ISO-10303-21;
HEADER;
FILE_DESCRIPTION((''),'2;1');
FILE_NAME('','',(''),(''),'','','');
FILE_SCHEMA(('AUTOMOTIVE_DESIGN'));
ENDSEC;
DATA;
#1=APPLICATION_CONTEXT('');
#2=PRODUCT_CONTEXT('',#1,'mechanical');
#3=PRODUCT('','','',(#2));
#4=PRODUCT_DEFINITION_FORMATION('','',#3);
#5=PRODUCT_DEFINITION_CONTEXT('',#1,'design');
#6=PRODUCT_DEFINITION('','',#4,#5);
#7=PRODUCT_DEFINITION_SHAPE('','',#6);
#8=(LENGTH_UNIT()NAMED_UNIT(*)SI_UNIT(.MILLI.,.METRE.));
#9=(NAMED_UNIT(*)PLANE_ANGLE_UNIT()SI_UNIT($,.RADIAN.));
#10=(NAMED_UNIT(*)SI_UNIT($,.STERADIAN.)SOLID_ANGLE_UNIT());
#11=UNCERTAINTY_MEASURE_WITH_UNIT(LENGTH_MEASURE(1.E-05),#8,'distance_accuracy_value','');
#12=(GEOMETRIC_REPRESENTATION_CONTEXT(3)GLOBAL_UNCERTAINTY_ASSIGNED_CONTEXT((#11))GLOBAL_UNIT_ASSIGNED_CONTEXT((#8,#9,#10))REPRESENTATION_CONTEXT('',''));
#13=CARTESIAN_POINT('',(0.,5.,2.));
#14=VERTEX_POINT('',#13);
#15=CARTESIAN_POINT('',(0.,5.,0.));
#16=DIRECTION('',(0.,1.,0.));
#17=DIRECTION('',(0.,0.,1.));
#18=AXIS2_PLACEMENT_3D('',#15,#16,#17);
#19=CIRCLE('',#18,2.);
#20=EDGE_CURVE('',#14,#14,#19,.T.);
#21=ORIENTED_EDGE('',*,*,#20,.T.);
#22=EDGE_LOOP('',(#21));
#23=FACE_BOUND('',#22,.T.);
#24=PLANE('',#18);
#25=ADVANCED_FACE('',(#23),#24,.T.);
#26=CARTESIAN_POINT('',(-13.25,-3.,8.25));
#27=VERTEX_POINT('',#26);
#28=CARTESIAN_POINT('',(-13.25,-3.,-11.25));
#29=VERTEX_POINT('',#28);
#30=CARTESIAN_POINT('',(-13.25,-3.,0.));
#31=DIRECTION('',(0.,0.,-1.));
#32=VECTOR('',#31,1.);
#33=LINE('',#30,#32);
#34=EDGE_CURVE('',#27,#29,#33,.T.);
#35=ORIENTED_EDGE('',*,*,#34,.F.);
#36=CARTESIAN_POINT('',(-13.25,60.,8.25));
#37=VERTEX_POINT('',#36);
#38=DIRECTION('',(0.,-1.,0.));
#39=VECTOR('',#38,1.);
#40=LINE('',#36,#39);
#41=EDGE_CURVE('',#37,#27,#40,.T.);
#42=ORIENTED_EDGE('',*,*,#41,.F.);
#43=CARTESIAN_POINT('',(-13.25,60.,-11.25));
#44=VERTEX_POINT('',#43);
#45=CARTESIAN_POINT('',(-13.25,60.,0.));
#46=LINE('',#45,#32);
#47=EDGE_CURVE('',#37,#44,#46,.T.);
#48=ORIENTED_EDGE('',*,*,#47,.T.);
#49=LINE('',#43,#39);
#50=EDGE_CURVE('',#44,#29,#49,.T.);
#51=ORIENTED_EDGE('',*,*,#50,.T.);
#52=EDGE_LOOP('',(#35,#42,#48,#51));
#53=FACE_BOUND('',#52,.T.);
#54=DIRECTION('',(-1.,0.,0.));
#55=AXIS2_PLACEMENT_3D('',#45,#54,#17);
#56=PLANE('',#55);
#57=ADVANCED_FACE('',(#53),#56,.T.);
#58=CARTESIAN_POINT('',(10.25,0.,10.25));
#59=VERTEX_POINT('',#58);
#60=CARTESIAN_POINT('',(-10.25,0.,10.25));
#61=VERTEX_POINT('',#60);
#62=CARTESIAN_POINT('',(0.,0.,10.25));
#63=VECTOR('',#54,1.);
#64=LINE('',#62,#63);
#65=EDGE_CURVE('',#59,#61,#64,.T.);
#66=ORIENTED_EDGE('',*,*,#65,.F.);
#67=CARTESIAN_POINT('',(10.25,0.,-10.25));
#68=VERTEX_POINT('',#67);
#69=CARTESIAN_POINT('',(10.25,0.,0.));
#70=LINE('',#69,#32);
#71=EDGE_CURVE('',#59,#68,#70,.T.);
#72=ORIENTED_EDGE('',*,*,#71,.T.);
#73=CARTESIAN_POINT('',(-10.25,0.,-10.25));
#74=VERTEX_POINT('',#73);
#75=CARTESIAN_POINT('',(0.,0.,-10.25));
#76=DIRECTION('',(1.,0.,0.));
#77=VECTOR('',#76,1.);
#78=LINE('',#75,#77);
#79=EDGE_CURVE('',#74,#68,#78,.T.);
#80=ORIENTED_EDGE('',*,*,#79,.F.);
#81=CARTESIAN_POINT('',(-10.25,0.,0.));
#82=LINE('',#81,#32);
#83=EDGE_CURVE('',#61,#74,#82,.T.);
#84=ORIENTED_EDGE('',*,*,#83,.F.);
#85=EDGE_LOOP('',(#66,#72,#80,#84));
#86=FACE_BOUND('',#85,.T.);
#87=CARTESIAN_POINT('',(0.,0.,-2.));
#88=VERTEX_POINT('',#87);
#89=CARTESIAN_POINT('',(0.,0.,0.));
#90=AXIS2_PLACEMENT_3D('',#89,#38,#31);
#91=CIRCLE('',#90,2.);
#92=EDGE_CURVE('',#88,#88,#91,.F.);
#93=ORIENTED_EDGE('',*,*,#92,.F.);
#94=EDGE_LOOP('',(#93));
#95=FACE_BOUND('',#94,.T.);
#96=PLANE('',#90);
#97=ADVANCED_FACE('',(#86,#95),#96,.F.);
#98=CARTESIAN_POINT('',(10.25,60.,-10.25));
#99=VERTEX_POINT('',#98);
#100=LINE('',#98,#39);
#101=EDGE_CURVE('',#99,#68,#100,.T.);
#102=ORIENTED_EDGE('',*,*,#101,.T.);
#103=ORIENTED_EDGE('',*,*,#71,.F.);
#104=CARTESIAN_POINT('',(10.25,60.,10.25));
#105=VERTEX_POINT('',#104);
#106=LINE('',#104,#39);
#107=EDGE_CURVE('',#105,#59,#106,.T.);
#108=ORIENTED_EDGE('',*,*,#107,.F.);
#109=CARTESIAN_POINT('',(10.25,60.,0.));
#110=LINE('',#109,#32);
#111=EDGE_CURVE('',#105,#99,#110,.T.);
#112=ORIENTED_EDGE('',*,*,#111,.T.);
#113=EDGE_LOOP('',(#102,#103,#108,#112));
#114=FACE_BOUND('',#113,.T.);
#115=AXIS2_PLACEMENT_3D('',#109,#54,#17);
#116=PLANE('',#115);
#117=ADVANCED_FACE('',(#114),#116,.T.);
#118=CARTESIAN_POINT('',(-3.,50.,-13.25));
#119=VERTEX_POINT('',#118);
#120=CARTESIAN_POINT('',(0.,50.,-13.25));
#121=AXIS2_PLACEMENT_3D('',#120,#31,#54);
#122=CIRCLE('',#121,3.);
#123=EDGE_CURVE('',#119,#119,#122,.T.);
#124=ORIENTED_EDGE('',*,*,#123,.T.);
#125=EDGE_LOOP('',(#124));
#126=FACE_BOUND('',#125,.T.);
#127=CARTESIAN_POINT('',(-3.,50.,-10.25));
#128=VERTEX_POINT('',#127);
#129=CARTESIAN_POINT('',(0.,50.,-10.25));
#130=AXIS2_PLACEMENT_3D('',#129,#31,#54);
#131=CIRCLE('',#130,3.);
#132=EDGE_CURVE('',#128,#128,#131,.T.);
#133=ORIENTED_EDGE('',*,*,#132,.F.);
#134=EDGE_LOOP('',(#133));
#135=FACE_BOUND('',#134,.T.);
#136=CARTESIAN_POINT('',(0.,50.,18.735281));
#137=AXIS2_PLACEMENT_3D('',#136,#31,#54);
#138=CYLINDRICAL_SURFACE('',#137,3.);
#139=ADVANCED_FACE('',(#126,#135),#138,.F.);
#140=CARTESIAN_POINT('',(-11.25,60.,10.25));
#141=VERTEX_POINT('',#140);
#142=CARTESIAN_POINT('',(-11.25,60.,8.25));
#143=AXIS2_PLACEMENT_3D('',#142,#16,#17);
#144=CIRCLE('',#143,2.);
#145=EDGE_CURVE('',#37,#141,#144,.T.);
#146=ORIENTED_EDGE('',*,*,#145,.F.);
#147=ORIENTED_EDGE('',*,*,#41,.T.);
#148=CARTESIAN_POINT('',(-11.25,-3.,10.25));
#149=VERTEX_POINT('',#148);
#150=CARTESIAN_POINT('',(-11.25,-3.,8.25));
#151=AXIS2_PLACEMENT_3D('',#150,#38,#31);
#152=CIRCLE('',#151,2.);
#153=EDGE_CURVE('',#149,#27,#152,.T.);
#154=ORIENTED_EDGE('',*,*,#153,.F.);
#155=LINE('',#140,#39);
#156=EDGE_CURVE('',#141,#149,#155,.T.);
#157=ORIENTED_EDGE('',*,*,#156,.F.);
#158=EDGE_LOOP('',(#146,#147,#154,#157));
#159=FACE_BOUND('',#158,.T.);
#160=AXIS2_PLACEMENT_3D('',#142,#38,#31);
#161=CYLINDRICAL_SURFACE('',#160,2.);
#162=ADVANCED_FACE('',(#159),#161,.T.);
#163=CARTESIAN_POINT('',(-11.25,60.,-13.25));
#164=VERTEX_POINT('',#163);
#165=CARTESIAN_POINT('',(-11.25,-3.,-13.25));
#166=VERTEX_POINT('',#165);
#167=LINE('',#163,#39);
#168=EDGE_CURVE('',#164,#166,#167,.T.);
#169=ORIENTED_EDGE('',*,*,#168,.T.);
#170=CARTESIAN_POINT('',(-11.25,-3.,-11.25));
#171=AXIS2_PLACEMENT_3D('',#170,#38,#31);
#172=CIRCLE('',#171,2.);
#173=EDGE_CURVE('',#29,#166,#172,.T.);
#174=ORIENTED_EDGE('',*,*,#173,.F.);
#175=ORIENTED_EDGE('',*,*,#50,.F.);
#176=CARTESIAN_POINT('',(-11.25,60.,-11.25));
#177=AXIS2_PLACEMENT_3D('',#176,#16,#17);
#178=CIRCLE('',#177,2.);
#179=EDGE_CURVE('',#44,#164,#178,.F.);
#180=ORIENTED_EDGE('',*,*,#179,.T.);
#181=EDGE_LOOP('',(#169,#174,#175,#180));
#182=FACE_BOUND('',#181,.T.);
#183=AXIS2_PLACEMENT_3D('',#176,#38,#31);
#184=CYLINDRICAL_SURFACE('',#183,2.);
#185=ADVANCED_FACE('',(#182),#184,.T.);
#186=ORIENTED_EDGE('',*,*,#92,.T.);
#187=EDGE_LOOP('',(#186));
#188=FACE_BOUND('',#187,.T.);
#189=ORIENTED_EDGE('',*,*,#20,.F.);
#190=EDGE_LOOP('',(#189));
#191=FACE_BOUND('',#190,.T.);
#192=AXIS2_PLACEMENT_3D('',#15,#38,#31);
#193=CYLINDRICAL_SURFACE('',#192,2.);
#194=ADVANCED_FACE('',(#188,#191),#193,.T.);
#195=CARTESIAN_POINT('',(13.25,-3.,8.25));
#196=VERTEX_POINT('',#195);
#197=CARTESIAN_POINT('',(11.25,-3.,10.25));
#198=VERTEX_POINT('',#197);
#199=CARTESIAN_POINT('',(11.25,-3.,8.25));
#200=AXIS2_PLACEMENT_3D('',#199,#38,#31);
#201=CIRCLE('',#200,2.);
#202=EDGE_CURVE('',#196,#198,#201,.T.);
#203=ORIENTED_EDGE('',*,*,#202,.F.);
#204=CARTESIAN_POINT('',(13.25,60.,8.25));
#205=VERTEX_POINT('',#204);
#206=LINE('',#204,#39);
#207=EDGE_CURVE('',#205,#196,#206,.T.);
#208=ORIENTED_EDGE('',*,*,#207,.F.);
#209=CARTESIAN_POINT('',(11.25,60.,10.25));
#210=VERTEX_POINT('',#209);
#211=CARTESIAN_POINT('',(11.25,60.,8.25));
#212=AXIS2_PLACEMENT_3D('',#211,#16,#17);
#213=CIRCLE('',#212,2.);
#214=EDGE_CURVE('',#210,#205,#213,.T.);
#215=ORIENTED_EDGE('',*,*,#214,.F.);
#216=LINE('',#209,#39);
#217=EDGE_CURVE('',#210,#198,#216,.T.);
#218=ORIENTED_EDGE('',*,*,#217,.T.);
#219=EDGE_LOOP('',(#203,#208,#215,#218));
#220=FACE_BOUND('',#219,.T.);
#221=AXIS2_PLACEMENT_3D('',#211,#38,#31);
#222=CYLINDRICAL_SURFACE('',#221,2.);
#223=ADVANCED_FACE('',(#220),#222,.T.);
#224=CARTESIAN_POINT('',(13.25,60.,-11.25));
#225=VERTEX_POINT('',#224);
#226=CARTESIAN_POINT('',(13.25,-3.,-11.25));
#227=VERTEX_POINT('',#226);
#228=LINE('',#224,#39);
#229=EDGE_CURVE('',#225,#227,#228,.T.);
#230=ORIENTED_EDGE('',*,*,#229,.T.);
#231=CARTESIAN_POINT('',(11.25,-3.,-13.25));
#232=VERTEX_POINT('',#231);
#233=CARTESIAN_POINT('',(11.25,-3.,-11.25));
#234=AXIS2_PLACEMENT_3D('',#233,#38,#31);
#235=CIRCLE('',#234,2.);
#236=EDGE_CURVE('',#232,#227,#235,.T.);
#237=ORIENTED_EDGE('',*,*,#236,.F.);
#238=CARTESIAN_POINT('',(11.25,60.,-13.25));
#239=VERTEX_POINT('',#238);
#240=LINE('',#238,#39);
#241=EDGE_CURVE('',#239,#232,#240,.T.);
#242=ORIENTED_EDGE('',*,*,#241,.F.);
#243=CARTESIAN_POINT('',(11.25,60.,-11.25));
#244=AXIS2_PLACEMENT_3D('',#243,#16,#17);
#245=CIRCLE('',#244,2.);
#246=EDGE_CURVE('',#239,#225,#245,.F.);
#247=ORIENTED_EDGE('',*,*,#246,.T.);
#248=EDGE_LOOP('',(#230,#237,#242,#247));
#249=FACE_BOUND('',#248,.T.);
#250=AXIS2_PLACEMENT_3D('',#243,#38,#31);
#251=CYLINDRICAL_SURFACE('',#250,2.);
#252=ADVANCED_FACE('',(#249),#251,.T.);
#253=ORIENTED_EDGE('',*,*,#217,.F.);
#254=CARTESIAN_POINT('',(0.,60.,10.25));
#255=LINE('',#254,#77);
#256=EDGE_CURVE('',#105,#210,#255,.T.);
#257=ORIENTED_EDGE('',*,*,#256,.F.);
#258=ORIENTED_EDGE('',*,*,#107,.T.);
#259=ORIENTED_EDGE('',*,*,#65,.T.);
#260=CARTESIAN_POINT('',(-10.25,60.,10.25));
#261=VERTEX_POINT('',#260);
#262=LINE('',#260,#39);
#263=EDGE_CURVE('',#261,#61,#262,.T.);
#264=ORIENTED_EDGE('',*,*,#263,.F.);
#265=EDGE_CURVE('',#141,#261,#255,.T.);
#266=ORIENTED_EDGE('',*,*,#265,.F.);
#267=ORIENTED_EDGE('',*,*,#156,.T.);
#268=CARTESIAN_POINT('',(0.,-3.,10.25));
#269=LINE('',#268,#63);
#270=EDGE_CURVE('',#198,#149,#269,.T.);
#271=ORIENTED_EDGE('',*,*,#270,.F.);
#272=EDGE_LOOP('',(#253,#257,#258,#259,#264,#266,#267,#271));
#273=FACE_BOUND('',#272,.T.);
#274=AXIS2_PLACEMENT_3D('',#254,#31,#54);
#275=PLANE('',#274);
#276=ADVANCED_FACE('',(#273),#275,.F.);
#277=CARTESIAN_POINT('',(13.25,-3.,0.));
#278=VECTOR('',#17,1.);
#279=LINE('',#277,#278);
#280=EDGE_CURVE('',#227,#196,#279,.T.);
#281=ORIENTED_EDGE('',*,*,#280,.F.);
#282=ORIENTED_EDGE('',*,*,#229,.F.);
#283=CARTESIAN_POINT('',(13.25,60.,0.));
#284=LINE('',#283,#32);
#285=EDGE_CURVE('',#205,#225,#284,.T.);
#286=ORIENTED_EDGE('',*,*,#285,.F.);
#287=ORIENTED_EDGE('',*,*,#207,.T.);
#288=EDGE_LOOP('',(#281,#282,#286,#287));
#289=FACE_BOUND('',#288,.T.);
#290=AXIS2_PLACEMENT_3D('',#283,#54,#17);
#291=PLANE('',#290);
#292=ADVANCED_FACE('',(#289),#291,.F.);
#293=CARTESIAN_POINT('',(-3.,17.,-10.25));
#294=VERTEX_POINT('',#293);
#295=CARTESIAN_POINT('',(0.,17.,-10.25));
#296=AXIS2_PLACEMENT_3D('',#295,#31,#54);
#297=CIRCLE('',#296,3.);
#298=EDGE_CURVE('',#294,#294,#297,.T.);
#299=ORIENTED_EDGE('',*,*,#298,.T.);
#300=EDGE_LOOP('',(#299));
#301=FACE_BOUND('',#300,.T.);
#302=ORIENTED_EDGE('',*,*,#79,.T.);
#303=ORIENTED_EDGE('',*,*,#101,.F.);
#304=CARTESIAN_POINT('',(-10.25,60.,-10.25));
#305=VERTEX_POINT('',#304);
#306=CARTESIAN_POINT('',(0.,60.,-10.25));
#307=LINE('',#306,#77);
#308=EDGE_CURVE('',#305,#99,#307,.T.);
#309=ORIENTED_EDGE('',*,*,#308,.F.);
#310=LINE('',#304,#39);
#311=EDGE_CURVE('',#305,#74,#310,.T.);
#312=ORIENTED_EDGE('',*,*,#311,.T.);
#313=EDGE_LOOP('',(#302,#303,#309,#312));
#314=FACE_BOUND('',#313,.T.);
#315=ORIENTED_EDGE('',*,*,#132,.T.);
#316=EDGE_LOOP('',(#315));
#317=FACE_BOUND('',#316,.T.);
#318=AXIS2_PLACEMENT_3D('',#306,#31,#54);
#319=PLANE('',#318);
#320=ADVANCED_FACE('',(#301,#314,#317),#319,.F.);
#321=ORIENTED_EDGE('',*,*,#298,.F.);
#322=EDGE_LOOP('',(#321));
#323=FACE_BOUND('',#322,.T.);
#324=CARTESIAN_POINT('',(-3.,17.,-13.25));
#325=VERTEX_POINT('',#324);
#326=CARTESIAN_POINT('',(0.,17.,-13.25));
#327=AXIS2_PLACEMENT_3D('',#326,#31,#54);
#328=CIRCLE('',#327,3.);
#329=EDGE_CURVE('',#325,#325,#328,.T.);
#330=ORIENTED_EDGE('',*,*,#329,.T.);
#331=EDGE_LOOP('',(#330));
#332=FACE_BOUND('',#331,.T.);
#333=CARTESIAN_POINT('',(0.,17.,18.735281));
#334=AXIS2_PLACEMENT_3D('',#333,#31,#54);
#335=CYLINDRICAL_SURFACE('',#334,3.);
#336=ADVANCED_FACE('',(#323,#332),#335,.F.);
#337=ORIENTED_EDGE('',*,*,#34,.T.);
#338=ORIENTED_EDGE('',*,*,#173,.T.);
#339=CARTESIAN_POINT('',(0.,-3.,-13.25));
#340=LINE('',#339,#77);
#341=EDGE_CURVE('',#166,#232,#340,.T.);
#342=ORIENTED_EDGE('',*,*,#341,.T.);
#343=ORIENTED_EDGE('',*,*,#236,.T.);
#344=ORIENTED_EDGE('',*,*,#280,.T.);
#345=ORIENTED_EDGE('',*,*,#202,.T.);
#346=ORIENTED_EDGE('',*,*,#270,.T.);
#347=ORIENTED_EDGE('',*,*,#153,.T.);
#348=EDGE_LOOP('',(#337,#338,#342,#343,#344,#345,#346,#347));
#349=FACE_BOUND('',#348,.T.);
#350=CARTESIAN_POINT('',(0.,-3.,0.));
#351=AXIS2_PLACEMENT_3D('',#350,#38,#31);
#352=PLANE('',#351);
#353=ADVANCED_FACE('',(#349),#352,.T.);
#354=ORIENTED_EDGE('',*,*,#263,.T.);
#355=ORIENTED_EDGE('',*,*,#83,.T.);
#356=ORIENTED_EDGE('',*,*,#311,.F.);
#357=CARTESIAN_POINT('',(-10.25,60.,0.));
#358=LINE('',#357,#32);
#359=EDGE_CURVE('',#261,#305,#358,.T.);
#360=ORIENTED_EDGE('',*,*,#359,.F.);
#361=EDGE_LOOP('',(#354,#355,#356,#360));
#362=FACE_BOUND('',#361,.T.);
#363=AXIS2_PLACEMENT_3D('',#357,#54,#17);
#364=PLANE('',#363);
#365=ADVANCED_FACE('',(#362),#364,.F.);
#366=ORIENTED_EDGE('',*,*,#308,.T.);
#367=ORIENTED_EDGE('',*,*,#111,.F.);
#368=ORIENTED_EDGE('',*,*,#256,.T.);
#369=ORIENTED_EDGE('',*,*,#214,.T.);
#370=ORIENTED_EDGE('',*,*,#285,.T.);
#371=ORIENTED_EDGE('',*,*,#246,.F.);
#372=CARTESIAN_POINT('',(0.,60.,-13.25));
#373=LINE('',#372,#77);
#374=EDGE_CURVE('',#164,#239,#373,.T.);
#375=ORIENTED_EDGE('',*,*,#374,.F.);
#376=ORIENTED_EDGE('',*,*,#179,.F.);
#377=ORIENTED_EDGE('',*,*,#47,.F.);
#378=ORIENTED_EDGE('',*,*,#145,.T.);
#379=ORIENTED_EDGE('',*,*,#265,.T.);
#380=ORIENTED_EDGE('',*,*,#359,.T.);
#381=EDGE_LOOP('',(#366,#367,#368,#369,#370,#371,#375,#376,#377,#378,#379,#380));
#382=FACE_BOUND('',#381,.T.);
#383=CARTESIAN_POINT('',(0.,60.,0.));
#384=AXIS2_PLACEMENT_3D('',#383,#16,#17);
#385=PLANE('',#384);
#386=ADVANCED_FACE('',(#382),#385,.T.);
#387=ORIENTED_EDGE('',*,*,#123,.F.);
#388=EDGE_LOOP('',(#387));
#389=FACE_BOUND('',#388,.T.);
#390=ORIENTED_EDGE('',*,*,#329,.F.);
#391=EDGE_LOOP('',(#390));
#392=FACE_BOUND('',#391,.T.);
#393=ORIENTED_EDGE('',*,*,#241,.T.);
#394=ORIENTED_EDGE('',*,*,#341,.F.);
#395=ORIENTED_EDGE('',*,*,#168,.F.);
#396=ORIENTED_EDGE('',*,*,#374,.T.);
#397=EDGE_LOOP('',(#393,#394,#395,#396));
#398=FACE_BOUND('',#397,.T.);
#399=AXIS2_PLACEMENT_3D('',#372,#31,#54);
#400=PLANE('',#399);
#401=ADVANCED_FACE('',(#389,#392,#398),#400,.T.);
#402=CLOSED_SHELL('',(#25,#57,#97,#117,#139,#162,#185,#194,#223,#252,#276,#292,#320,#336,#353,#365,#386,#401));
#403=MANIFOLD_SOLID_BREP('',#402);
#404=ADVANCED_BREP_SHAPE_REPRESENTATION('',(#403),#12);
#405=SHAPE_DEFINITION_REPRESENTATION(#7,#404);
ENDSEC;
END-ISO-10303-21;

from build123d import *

# Parameters (mm, degrees)
BOSS_EXTRUDE1_DEPTH = 60
SKETCH2_W           = 20.5
SKETCH2_H           = 20.5
BOSS_EXTRUDE2_DEPTH = 3
SKETCH3_R           = 2
BOSS_EXTRUDE3_DEPTH = 5
SKETCH4_R           = 3
CUT_EXTRUDE1_DEPTH  = 23.5


with BuildPart() as part:
    # Sketch1 → Boss-Extrude1 (new body)
    with BuildSketch(Plane(origin=(0, 0, 0), x_dir=(1, 0, 0), z_dir=(0, 1, 0))):
        with BuildLine():
            Line((-13.25, 11.25), (-13.25, -8.25))
            ThreePointArc((-13.25, -8.25), (-12.664213562, -9.664213562), (-11.25, -10.25))
            Line((-11.25, -10.25), (-10.25, -10.25))
            Line((-10.25, -10.25), (-10.25, 10.25))
            Line((-10.25, 10.25), (10.25, 10.25))
            Line((10.25, 10.25), (10.25, -10.25))
            Line((10.25, -10.25), (11.25, -10.25))
            ThreePointArc((11.25, -10.25), (12.664213562, -9.664213562), (13.25, -8.25))
            Line((13.25, -8.25), (13.25, 11.25))
            ThreePointArc((13.25, 11.25), (12.664213562, 12.664213562), (11.25, 13.25))
            Line((11.25, 13.25), (-11.25, 13.25))
            ThreePointArc((-11.25, 13.25), (-12.664213562, 12.664213562), (-13.25, 11.25))
        make_face()
    extrude(amount=BOSS_EXTRUDE1_DEPTH)

    # Sketch2 → Boss-Extrude2 (add)
    with BuildSketch(Plane.XZ):
        with BuildLine():
            ThreePointArc((-11.25, 10.25), (-12.664213562, 9.664213562), (-13.25, 8.25))
            Line((-13.25, 8.25), (-13.25, -11.25))
            ThreePointArc((-13.25, -11.25), (-12.664213562, -12.664213562), (-11.25, -13.25))
            Line((-11.25, -13.25), (11.25, -13.25))
            ThreePointArc((11.25, -13.25), (12.664213562, -12.664213562), (13.25, -11.25))
            Line((13.25, -11.25), (13.25, 8.25))
            ThreePointArc((13.25, 8.25), (12.664213562, 9.664213562), (11.25, 10.25))
            Line((11.25, 10.25), (10.25, 10.25))
            Line((10.25, 10.25), (10.25, -10.25))
            Line((10.25, -10.25), (-10.25, -10.25))
            Line((-10.25, -10.25), (-10.25, 10.25))
            Line((-10.25, 10.25), (-11.25, 10.25))
        make_face()
        Rectangle(SKETCH2_W, SKETCH2_H)
    extrude(amount=BOSS_EXTRUDE2_DEPTH)

    # Sketch3 → Boss-Extrude3 (add)
    with BuildSketch(Plane(origin=(0, 0, 0), x_dir=(1, 0, 0), z_dir=(0, 1, 0))):
        Circle(SKETCH3_R)
    extrude(amount=BOSS_EXTRUDE3_DEPTH)

    # Sketch4 → Cut-Extrude1 (cut)
    with BuildSketch(Plane(origin=(0, 0, -13.25), x_dir=(-1, 0, 0), z_dir=(0, 0, -1))):
        with Locations((0, 50)):
            Circle(SKETCH4_R)
        with Locations((0, 17)):
            Circle(SKETCH4_R)
    extrude(amount=-CUT_EXTRUDE1_DEPTH, mode=Mode.SUBTRACT)


solid = part.part
